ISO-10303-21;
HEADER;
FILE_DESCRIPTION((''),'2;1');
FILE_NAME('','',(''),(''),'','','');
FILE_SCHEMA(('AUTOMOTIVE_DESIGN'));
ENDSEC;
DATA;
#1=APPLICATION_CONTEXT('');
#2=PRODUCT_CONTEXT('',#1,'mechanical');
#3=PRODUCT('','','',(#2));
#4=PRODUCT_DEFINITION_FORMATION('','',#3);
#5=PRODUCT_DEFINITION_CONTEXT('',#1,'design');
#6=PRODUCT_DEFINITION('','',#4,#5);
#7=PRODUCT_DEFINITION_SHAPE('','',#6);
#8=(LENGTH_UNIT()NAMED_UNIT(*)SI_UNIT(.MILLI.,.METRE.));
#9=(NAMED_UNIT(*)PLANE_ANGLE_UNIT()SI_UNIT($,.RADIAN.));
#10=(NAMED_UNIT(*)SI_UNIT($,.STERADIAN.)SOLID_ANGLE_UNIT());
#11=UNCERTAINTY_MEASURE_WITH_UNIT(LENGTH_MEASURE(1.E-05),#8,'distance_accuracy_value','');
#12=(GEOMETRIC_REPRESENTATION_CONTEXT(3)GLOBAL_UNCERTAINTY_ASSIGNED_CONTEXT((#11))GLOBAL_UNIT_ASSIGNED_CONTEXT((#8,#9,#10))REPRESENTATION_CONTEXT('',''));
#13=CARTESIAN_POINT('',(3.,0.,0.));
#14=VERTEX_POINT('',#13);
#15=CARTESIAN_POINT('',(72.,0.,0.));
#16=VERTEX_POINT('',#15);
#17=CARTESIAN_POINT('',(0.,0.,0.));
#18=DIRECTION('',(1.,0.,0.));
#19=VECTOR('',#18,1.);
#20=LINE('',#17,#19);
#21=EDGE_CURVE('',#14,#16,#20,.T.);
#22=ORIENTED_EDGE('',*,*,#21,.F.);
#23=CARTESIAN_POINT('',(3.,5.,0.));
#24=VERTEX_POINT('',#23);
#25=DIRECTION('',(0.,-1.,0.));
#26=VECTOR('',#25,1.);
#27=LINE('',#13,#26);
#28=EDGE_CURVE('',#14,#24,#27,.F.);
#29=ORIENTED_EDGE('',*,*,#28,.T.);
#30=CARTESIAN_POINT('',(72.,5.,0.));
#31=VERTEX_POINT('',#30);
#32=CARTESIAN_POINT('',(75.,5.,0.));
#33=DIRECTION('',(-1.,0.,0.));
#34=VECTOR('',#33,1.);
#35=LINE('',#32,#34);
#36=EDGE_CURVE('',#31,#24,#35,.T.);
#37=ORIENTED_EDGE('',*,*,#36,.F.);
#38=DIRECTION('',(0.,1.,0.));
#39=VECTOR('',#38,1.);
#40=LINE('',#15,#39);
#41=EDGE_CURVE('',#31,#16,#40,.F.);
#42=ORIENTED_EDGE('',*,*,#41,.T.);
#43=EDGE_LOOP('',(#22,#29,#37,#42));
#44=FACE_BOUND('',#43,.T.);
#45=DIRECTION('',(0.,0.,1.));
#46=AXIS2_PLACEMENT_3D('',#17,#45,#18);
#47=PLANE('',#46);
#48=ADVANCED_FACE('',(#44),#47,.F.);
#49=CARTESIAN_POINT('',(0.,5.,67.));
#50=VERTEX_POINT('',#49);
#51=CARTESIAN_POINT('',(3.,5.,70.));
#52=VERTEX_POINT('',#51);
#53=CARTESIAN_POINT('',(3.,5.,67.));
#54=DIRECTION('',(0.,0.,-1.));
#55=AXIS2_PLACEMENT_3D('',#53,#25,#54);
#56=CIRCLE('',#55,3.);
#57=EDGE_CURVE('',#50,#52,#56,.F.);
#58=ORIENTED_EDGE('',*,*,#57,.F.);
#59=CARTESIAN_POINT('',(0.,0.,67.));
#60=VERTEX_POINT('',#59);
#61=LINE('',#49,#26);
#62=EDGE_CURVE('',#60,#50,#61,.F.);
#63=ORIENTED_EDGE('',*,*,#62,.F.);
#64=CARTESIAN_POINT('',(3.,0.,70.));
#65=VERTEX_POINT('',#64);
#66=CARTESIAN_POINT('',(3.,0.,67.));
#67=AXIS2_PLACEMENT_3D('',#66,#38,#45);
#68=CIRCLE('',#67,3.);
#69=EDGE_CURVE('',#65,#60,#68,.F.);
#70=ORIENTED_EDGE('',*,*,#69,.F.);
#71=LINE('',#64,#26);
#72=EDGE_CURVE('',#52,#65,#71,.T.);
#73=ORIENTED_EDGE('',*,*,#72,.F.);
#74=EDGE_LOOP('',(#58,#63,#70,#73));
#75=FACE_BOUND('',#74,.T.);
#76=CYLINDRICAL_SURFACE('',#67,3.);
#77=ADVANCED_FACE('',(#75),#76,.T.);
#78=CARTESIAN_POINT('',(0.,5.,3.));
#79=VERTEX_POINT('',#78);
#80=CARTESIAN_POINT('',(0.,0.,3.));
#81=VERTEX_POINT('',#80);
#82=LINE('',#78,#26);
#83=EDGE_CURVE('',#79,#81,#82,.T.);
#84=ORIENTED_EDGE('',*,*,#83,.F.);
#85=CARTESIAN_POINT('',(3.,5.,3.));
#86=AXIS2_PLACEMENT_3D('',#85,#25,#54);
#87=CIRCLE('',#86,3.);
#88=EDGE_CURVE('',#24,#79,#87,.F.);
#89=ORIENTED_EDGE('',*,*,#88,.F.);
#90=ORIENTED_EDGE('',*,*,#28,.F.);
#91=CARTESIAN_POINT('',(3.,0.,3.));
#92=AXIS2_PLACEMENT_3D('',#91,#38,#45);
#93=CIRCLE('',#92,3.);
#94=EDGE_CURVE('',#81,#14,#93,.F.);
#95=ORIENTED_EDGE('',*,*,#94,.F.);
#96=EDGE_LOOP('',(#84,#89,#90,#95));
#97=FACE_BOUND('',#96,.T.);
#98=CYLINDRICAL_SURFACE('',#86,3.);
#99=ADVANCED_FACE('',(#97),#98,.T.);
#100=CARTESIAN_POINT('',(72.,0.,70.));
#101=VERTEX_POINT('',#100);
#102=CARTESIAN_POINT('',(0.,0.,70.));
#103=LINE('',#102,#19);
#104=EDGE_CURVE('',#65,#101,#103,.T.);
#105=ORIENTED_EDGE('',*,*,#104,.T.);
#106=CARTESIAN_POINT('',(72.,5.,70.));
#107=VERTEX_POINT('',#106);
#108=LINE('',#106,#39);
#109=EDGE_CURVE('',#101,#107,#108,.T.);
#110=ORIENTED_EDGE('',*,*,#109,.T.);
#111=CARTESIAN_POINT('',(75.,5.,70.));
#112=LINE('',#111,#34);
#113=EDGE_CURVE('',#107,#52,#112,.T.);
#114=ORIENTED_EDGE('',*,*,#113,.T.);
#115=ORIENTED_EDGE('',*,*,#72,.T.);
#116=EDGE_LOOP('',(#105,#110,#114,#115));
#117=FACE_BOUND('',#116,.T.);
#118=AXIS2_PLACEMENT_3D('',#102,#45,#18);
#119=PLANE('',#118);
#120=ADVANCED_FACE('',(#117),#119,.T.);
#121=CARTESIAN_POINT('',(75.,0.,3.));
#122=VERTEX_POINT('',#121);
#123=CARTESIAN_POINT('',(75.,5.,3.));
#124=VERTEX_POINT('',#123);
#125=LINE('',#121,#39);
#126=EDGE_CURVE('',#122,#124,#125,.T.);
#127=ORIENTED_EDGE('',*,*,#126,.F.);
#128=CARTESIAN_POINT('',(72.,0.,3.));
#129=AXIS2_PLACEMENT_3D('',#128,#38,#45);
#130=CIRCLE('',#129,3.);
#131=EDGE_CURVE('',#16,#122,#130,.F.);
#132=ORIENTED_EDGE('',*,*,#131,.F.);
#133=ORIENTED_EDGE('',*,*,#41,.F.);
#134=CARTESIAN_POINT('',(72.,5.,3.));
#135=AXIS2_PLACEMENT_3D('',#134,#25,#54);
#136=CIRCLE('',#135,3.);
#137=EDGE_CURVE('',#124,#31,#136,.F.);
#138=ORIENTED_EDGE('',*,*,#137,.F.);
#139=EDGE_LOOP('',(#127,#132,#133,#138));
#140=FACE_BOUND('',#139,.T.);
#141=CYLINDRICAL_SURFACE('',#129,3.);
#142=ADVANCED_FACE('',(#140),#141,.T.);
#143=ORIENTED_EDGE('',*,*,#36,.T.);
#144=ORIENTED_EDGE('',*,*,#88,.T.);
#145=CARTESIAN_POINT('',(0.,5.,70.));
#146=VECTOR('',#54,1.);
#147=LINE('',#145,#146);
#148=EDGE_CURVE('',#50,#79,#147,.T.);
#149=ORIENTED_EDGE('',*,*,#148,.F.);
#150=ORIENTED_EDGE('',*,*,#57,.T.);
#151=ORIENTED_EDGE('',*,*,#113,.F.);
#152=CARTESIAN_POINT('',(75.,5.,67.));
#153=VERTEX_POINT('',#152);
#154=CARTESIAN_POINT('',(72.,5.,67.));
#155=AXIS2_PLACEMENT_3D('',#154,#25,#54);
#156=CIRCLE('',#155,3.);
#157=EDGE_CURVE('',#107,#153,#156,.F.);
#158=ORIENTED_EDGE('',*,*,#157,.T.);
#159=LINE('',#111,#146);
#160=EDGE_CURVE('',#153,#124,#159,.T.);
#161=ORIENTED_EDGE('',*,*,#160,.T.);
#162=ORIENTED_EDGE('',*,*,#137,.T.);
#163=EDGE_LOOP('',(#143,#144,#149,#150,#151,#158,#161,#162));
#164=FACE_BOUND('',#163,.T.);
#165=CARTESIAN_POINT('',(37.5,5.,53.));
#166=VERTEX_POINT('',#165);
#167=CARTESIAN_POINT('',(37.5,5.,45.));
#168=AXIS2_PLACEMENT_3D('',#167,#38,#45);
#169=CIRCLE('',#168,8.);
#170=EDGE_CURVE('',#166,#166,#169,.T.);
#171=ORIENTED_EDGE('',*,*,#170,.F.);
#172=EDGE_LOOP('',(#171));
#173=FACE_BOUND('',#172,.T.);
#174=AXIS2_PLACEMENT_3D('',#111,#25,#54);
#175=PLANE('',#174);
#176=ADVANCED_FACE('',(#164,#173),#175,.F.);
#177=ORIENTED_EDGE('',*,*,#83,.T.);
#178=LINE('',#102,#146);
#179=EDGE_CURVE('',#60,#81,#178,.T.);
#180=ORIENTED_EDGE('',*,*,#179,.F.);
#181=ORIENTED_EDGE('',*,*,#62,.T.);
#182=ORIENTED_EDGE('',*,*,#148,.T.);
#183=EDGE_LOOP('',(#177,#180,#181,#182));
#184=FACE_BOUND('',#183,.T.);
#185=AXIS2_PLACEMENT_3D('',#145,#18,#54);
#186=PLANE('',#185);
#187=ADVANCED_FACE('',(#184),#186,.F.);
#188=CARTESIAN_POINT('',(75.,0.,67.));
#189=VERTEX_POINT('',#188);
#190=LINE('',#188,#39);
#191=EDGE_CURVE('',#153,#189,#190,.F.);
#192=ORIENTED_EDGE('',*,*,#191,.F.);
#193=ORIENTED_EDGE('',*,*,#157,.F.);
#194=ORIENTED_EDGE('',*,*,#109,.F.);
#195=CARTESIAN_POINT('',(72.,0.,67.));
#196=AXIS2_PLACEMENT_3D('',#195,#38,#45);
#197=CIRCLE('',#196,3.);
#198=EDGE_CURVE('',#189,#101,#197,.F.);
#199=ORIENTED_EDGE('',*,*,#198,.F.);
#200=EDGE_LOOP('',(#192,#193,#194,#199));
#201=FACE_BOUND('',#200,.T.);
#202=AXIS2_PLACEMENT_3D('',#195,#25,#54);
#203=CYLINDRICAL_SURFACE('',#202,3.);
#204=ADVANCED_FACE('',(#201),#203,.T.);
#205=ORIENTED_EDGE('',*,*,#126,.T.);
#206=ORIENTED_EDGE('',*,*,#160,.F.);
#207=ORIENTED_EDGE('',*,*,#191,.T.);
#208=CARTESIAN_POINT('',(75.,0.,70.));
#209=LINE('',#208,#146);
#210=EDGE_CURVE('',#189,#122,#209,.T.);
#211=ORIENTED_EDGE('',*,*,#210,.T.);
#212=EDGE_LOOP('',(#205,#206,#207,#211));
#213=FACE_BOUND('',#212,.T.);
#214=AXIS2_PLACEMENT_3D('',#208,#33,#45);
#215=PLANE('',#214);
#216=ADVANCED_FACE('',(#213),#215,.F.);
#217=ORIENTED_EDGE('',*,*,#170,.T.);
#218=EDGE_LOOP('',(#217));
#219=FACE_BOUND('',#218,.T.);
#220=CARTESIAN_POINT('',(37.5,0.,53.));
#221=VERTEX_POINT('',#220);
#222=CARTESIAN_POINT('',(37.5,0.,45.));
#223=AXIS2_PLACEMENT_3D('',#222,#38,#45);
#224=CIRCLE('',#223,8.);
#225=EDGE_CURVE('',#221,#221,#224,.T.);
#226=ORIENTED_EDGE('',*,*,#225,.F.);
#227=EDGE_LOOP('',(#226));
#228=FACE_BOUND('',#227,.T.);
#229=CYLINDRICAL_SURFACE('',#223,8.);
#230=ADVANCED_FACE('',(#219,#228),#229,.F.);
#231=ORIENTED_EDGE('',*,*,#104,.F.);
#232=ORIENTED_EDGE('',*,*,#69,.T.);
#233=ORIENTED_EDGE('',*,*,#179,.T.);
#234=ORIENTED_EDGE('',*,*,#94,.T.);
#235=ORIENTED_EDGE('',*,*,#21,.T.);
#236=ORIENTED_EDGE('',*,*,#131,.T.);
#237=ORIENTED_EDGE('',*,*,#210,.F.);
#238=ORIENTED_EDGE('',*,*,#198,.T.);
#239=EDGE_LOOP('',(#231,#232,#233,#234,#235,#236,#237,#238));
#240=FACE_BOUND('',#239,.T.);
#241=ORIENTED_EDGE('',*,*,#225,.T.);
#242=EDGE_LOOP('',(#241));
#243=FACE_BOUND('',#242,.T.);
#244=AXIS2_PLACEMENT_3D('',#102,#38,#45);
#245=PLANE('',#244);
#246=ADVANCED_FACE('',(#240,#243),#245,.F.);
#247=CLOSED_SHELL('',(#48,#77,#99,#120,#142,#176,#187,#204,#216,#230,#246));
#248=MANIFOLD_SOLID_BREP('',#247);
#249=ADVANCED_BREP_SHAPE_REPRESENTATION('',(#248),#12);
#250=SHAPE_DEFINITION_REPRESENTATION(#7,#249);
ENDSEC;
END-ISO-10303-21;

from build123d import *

# Parameters (mm, degrees)
SKETCH_1_W             = 75
SKETCH_1_H             = 5
BLOCKEXTRUDE_DEPTH     = 70
FILLET_2_R             = 3
SKETCH_2_R             = 8
ROTARY_SEAL_SEAT_DEPTH = 103.713192921


with BuildPart() as part:
    # 草图1 → BlockExtrude (new body)
    with BuildSketch(Plane.XY):
        with Locations((37.5, 2.5)):
            Rectangle(SKETCH_1_W, SKETCH_1_H)
    extrude(amount=BLOCKEXTRUDE_DEPTH)

    # Fillet 2
    fillet_2_edges = [part.edges().sort_by_distance(p)[0] for p in [
        (75, 2.5, 70),
        (0, 2.5, 70),
        (75, 2.5, 0),
        (0, 2.5, 0),
    ]]
    fillet(fillet_2_edges, radius=FILLET_2_R)

    # 草图2 → Rotary_seal_seat (cut, through all)
    with BuildSketch(Plane(origin=(0, 5, 0), x_dir=(1, 0, 0), z_dir=(0, 1, 0))):
        with Locations(Location((37.5, -45, 0), (0, 0, 270))):
            Circle(SKETCH_2_R)
    extrude(amount=-ROTARY_SEAL_SEAT_DEPTH, mode=Mode.SUBTRACT)


solid = part.part
